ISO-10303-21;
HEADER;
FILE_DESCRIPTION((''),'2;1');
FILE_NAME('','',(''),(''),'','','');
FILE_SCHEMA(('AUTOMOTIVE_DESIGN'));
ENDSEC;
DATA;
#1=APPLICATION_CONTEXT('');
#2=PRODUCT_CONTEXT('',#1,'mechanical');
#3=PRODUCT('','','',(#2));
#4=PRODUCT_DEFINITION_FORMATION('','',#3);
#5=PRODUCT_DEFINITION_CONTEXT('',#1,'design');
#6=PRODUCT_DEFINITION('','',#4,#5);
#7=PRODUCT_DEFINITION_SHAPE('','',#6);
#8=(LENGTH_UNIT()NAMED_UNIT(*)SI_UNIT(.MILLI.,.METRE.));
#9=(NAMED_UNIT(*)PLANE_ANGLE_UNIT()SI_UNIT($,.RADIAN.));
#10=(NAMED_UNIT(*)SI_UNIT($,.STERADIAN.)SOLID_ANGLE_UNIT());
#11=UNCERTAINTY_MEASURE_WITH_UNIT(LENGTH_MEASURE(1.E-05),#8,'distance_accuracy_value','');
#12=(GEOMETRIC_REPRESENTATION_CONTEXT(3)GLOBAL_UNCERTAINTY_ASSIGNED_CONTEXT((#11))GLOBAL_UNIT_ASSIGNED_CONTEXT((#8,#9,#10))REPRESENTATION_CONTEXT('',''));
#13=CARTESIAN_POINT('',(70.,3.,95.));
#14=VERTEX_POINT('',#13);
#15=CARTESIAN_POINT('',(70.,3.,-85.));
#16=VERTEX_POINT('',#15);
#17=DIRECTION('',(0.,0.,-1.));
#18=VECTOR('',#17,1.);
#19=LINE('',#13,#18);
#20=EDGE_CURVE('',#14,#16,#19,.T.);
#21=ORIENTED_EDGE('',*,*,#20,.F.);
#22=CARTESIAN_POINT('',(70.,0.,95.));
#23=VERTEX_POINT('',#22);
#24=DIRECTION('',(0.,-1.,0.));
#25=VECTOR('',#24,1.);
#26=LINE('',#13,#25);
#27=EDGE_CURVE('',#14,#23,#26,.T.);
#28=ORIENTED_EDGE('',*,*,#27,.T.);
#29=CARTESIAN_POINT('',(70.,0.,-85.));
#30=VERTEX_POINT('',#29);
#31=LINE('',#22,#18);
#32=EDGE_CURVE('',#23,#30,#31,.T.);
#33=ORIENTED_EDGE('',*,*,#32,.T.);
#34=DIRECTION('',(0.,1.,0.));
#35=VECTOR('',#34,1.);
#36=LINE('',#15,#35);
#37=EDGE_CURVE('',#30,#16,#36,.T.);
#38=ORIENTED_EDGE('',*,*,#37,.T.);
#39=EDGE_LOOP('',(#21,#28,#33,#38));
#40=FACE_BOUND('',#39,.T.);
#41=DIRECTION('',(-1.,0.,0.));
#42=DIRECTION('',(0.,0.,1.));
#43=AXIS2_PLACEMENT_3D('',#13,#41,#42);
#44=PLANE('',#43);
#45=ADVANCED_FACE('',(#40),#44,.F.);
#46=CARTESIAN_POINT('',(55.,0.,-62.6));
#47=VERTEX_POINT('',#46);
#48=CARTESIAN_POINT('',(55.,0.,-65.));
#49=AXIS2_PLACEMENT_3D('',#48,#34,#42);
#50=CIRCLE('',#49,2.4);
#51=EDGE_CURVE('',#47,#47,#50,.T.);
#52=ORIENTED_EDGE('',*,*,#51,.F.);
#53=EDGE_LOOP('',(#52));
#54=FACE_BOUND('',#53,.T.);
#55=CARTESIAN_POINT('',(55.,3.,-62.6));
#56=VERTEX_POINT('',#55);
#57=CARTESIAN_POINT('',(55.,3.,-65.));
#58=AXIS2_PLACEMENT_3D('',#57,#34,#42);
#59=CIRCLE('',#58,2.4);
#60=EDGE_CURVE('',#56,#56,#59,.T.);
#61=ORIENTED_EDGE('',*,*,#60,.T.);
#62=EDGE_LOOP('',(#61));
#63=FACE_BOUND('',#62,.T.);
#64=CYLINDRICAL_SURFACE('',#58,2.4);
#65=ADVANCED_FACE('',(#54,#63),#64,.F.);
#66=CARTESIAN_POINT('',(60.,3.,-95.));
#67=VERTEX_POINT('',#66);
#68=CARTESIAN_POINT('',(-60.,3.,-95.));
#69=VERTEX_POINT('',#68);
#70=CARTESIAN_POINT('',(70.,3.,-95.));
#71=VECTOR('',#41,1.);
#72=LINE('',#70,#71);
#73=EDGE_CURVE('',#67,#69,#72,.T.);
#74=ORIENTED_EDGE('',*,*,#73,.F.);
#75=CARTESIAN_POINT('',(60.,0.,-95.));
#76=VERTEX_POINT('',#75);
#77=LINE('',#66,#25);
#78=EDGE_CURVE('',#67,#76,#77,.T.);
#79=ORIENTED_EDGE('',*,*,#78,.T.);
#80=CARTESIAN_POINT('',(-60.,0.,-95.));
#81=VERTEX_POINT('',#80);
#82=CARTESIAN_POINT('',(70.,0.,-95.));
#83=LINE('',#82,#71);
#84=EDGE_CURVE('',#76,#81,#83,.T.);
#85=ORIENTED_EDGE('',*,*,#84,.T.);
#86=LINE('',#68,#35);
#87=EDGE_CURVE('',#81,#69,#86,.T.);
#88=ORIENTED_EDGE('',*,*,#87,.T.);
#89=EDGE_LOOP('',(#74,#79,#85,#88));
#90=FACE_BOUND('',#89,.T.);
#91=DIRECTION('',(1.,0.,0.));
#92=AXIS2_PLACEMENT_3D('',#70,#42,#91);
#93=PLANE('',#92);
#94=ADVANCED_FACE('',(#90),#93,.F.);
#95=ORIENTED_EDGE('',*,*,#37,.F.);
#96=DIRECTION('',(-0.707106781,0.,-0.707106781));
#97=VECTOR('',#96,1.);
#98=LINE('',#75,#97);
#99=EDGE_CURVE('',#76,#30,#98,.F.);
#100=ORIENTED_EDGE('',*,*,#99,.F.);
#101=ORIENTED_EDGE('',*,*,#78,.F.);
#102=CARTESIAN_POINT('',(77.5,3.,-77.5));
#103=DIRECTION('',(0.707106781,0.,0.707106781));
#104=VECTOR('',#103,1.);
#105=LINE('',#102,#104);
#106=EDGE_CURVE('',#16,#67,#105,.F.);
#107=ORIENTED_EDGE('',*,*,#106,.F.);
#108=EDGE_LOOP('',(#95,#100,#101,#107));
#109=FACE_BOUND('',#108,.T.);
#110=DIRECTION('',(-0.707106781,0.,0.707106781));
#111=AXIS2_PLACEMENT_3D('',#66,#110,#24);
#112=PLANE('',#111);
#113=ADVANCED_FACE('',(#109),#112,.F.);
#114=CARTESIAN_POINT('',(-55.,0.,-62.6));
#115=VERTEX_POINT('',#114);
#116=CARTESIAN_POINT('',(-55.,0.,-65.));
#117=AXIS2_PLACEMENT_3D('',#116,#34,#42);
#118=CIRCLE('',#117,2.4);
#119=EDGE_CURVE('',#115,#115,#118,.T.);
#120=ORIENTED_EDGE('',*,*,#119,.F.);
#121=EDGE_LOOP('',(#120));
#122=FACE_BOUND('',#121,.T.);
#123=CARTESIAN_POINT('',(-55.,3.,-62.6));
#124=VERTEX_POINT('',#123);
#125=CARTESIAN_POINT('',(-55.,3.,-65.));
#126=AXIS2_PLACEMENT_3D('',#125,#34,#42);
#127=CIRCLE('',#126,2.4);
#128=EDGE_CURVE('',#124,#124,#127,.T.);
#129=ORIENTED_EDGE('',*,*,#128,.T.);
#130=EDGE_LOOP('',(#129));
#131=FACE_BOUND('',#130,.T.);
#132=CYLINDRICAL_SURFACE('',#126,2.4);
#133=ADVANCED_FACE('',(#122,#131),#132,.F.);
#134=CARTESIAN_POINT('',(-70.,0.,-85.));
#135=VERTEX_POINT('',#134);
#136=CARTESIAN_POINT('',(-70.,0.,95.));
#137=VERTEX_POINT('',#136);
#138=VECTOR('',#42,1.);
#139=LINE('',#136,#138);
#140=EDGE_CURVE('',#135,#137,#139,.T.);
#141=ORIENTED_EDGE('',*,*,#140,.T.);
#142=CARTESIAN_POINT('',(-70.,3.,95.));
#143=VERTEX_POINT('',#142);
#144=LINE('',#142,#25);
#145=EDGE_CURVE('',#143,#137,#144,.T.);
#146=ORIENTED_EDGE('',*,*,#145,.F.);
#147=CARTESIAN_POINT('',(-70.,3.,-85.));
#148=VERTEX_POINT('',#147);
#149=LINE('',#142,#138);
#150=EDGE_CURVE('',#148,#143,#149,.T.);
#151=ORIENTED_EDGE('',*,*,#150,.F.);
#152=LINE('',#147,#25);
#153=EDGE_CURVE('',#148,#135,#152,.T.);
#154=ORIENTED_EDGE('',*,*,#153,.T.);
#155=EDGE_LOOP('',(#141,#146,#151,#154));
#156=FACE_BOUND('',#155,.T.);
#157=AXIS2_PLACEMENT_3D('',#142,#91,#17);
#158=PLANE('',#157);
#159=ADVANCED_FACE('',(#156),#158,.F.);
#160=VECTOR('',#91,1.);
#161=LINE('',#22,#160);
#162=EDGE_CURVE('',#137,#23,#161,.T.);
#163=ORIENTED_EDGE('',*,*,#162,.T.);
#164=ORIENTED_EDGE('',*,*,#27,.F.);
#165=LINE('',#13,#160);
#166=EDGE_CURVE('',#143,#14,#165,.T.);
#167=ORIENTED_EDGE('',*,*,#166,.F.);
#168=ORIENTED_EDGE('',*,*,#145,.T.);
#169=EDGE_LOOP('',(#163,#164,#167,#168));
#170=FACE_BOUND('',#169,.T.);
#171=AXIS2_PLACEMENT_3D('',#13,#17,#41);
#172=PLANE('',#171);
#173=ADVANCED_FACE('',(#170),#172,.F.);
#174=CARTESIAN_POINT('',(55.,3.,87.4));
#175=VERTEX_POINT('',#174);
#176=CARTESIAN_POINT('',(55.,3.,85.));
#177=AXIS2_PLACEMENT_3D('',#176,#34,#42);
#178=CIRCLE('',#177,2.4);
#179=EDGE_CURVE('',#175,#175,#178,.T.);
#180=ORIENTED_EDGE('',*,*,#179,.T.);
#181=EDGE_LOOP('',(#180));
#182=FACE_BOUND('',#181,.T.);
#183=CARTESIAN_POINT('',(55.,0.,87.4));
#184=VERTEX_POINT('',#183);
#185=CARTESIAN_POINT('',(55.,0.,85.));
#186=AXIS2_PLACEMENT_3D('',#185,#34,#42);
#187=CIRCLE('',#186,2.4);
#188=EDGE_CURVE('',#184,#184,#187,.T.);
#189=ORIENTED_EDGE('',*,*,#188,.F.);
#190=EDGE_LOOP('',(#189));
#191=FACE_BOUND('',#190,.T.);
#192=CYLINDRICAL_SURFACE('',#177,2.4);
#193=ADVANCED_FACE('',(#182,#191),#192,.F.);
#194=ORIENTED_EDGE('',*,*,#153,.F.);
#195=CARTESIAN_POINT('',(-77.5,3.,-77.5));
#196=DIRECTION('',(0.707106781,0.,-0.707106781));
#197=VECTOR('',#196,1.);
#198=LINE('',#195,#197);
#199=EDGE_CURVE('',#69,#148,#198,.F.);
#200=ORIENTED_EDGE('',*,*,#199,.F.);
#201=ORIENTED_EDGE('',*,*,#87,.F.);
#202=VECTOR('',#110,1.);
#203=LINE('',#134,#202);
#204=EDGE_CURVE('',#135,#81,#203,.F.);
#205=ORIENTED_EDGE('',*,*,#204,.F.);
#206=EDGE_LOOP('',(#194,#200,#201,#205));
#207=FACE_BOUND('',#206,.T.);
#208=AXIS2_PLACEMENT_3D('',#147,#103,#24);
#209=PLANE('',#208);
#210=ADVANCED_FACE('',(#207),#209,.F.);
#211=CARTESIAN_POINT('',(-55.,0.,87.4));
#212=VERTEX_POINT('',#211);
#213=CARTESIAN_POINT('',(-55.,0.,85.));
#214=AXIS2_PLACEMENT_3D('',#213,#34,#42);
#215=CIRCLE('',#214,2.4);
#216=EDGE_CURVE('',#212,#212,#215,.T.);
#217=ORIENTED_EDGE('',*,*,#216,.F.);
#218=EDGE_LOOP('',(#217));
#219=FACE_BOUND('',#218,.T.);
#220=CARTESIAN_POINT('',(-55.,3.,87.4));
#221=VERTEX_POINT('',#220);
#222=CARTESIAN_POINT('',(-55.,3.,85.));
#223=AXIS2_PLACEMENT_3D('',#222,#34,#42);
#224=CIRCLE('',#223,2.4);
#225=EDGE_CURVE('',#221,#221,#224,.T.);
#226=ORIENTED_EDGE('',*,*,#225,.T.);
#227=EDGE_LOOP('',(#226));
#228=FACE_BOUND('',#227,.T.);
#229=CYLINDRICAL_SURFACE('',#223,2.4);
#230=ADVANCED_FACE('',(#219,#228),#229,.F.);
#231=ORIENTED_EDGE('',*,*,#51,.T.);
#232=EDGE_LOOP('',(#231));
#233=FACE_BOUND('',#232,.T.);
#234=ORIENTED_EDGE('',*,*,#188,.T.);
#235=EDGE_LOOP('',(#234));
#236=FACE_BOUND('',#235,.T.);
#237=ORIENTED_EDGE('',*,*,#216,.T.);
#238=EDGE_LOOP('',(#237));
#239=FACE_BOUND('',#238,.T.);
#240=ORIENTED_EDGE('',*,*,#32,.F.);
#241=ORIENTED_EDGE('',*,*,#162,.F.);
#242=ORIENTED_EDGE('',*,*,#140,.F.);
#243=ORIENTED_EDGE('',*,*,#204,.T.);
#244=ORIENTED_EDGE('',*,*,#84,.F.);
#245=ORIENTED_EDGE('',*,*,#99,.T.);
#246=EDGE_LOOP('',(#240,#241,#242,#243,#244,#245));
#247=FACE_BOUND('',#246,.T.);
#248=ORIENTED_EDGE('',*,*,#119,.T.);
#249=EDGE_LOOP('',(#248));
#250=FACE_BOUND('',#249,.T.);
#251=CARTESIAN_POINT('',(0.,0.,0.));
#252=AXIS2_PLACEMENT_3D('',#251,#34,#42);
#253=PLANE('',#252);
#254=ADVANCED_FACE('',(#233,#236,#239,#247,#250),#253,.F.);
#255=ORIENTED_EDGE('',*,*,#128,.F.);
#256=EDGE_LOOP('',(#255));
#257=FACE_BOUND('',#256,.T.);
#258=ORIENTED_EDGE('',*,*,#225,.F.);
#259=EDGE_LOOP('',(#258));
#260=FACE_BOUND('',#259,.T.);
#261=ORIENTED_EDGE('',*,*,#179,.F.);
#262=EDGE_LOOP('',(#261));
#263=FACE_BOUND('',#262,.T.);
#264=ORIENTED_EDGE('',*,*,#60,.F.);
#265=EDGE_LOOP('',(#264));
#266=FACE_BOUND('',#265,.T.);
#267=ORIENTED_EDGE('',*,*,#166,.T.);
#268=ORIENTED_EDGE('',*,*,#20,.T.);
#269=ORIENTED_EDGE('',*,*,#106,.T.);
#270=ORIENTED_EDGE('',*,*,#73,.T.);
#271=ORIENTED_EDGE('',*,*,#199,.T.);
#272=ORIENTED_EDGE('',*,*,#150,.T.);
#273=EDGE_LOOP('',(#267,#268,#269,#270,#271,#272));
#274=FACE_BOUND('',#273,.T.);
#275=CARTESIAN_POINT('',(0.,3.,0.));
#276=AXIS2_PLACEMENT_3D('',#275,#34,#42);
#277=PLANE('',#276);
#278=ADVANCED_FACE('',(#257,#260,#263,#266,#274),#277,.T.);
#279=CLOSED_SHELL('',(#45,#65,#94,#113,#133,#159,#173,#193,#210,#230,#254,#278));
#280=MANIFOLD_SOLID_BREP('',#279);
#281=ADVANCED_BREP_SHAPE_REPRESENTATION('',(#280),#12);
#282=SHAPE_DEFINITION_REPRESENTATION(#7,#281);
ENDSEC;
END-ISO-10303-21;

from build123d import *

# Parameters (mm, degrees)
SKETCH1_W            = 140
SKETCH1_H            = 190
BOSS_EXTRUDE1_DEPTH  = 3
M4_CLEARANCE_HOLE1_D = 4.8
CHAMFER1_SIZE        = 10


with BuildPart() as part:
    # Sketch1 → Boss-Extrude1 (new body)
    with BuildSketch(Plane(origin=(0, 0, 0), x_dir=(1, 0, 0), z_dir=(0, 1, 0))):
        Rectangle(SKETCH1_W, SKETCH1_H)
    extrude(amount=BOSS_EXTRUDE1_DEPTH)

    # M4 Clearance Hole1 (through all)
    with Locations(Plane(origin=(0, 3, 0), x_dir=(1, 0, 0), z_dir=(0, 1, 0))):
        with Locations((-55, -85), (55, -85), (-55, 65), (55, 65)):
            Hole(M4_CLEARANCE_HOLE1_D / 2)

    # Chamfer1
    chamfer1_edges = [part.edges().sort_by_distance(p)[0] for p in [
        (-70, 1.5, -95),
        (70, 1.5, -95),
    ]]
    chamfer(chamfer1_edges, length=CHAMFER1_SIZE)


solid = part.part
